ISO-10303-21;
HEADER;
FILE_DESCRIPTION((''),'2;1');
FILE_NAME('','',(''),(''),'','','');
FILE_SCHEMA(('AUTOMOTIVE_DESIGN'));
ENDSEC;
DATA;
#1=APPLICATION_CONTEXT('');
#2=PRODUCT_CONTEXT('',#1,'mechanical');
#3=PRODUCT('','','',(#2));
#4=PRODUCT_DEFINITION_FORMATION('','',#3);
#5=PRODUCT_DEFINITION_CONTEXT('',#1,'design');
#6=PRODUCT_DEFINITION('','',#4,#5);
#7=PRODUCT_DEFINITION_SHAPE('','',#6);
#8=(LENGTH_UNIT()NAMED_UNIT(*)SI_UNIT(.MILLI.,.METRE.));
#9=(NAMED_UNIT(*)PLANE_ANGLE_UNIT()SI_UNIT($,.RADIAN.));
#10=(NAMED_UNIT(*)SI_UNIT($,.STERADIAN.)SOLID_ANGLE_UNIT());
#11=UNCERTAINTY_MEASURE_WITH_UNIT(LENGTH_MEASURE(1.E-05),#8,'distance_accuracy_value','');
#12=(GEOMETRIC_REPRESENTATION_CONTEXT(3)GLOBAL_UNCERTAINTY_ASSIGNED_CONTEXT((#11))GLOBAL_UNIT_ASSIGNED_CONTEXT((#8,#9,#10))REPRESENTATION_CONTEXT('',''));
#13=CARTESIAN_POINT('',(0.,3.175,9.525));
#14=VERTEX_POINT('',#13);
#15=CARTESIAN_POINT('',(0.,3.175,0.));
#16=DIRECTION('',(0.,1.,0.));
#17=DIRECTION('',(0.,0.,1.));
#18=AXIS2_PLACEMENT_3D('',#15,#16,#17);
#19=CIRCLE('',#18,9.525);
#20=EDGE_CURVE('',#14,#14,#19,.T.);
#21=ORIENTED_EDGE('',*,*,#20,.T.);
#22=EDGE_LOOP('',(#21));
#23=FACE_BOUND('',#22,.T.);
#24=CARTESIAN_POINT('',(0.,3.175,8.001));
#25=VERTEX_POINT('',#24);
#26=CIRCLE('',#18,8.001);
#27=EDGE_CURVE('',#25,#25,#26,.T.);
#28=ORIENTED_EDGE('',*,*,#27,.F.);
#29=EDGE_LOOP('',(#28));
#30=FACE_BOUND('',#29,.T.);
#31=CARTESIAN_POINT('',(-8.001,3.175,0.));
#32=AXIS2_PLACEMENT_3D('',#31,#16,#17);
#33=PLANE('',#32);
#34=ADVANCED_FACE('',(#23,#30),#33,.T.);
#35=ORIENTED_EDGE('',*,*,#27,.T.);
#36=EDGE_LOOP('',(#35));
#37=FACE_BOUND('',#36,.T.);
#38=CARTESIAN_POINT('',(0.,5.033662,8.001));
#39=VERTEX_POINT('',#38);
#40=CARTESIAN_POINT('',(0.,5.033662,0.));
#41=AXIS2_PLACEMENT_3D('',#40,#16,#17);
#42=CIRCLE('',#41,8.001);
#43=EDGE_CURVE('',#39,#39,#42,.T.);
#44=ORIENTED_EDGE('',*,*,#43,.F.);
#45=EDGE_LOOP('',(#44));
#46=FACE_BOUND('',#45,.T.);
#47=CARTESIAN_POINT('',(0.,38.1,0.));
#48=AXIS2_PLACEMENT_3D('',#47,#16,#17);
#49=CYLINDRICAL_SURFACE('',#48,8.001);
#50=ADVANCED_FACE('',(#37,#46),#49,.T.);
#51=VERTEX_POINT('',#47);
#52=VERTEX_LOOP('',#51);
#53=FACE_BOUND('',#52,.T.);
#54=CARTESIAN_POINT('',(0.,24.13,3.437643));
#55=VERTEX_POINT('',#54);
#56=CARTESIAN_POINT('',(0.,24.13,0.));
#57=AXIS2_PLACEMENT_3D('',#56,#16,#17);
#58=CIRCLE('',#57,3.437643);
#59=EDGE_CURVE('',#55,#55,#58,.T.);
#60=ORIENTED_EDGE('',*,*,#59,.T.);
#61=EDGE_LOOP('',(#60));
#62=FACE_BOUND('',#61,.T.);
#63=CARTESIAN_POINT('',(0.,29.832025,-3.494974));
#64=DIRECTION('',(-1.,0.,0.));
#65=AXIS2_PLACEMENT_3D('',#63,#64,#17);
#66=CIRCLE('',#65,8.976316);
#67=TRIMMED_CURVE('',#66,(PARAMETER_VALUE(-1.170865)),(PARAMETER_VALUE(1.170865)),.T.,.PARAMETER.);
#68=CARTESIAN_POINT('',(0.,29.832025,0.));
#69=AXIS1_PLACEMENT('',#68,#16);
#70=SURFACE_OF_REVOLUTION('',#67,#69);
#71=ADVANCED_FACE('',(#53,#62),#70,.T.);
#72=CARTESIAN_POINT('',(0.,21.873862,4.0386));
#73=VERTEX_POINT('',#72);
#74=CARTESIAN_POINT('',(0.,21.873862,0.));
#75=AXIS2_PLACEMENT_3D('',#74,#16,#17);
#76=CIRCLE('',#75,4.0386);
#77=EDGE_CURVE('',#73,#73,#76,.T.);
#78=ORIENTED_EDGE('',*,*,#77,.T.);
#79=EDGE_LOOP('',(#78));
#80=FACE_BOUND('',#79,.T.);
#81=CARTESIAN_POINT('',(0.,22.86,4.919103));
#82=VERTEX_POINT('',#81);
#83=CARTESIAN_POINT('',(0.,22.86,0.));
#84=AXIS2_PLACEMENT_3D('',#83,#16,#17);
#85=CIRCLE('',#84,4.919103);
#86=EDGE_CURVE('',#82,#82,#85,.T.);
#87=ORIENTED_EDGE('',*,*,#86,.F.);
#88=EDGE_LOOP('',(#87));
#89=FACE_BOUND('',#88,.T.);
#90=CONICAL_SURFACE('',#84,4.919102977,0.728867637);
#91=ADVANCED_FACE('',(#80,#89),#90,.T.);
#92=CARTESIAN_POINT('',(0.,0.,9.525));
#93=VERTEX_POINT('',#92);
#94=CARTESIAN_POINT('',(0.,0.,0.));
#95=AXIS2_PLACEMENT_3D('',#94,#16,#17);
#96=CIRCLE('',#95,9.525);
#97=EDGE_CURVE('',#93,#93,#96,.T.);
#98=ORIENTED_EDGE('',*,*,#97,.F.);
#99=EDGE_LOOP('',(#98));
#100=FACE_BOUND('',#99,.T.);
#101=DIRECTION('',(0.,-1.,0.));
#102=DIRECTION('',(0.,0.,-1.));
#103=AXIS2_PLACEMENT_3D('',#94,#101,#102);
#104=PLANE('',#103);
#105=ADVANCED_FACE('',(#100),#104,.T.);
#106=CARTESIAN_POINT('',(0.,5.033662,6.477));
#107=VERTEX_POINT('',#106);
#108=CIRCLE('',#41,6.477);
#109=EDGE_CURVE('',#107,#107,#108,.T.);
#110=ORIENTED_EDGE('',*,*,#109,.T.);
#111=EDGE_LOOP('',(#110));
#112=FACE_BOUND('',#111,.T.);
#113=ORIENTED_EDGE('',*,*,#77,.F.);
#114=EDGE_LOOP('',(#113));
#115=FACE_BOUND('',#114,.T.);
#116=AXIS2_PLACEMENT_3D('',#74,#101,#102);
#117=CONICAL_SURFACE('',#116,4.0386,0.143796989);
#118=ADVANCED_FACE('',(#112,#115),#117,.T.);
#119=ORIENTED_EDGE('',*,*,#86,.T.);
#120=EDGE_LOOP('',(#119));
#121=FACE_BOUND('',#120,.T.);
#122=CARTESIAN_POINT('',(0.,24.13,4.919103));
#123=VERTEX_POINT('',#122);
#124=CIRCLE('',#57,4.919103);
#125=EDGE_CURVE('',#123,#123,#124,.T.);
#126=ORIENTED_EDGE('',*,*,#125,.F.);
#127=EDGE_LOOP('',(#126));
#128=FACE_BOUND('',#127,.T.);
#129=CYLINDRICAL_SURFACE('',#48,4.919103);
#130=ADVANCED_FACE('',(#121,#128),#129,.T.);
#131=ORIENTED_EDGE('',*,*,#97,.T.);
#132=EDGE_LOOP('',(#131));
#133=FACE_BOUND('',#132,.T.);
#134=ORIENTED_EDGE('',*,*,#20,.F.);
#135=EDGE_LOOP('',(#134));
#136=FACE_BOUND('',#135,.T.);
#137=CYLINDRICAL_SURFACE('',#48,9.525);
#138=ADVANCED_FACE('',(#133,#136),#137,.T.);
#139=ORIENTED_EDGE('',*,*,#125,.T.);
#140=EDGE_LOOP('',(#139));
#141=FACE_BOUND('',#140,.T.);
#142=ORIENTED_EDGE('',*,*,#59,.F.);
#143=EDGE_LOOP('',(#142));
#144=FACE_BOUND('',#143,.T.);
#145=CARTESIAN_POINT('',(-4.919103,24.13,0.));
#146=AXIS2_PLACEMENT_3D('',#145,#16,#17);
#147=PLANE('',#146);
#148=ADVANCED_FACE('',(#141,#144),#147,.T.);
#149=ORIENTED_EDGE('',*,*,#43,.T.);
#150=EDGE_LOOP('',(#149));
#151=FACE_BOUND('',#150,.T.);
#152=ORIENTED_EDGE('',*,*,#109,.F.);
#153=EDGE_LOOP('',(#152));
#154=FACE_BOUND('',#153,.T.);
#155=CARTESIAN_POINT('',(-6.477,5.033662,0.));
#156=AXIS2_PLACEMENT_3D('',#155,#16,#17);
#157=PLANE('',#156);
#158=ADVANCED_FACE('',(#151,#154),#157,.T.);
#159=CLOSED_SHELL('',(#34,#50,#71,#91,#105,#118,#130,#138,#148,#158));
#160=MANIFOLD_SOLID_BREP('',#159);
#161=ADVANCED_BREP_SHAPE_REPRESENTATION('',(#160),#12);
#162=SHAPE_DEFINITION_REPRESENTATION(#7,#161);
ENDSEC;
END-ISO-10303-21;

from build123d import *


with BuildPart() as part:
    # Sketch1 → Revolve1 (revolve)
    with BuildSketch(Plane.XY, mode=Mode.PRIVATE) as revolve1_sk:
        with BuildLine():
            Line((0, 0), (0, 38.1))
            ThreePointArc((0, 38.1), (-5.221326126, 31.976872569), (-3.437642592, 24.13))
            Line((-3.437642592, 24.13), (-4.919102977, 24.13))
            Line((-4.919102977, 24.13), (-4.919102977, 22.86))
            Line((-4.919102977, 22.86), (-4.0386, 21.873862293))
            Line((-4.0386, 21.873862293), (-6.477, 5.033662293))
            Line((-6.477, 5.033662293), (-8.001, 5.033662293))
            Line((-8.001, 5.033662293), (-8.001, 3.175))
            Line((-8.001, 3.175), (-9.525, 3.175))
            Line((-9.525, 3.175), (-9.525, 0))
            Line((-9.525, 0), (0, 0))
        make_face()
    revolve(revolve1_sk.sketch.rotate(Axis((0, 38.1, 0), (0, -1, 0)), 270), axis=Axis((0, 38.1, 0), (0, -1, 0)))


solid = part.part
